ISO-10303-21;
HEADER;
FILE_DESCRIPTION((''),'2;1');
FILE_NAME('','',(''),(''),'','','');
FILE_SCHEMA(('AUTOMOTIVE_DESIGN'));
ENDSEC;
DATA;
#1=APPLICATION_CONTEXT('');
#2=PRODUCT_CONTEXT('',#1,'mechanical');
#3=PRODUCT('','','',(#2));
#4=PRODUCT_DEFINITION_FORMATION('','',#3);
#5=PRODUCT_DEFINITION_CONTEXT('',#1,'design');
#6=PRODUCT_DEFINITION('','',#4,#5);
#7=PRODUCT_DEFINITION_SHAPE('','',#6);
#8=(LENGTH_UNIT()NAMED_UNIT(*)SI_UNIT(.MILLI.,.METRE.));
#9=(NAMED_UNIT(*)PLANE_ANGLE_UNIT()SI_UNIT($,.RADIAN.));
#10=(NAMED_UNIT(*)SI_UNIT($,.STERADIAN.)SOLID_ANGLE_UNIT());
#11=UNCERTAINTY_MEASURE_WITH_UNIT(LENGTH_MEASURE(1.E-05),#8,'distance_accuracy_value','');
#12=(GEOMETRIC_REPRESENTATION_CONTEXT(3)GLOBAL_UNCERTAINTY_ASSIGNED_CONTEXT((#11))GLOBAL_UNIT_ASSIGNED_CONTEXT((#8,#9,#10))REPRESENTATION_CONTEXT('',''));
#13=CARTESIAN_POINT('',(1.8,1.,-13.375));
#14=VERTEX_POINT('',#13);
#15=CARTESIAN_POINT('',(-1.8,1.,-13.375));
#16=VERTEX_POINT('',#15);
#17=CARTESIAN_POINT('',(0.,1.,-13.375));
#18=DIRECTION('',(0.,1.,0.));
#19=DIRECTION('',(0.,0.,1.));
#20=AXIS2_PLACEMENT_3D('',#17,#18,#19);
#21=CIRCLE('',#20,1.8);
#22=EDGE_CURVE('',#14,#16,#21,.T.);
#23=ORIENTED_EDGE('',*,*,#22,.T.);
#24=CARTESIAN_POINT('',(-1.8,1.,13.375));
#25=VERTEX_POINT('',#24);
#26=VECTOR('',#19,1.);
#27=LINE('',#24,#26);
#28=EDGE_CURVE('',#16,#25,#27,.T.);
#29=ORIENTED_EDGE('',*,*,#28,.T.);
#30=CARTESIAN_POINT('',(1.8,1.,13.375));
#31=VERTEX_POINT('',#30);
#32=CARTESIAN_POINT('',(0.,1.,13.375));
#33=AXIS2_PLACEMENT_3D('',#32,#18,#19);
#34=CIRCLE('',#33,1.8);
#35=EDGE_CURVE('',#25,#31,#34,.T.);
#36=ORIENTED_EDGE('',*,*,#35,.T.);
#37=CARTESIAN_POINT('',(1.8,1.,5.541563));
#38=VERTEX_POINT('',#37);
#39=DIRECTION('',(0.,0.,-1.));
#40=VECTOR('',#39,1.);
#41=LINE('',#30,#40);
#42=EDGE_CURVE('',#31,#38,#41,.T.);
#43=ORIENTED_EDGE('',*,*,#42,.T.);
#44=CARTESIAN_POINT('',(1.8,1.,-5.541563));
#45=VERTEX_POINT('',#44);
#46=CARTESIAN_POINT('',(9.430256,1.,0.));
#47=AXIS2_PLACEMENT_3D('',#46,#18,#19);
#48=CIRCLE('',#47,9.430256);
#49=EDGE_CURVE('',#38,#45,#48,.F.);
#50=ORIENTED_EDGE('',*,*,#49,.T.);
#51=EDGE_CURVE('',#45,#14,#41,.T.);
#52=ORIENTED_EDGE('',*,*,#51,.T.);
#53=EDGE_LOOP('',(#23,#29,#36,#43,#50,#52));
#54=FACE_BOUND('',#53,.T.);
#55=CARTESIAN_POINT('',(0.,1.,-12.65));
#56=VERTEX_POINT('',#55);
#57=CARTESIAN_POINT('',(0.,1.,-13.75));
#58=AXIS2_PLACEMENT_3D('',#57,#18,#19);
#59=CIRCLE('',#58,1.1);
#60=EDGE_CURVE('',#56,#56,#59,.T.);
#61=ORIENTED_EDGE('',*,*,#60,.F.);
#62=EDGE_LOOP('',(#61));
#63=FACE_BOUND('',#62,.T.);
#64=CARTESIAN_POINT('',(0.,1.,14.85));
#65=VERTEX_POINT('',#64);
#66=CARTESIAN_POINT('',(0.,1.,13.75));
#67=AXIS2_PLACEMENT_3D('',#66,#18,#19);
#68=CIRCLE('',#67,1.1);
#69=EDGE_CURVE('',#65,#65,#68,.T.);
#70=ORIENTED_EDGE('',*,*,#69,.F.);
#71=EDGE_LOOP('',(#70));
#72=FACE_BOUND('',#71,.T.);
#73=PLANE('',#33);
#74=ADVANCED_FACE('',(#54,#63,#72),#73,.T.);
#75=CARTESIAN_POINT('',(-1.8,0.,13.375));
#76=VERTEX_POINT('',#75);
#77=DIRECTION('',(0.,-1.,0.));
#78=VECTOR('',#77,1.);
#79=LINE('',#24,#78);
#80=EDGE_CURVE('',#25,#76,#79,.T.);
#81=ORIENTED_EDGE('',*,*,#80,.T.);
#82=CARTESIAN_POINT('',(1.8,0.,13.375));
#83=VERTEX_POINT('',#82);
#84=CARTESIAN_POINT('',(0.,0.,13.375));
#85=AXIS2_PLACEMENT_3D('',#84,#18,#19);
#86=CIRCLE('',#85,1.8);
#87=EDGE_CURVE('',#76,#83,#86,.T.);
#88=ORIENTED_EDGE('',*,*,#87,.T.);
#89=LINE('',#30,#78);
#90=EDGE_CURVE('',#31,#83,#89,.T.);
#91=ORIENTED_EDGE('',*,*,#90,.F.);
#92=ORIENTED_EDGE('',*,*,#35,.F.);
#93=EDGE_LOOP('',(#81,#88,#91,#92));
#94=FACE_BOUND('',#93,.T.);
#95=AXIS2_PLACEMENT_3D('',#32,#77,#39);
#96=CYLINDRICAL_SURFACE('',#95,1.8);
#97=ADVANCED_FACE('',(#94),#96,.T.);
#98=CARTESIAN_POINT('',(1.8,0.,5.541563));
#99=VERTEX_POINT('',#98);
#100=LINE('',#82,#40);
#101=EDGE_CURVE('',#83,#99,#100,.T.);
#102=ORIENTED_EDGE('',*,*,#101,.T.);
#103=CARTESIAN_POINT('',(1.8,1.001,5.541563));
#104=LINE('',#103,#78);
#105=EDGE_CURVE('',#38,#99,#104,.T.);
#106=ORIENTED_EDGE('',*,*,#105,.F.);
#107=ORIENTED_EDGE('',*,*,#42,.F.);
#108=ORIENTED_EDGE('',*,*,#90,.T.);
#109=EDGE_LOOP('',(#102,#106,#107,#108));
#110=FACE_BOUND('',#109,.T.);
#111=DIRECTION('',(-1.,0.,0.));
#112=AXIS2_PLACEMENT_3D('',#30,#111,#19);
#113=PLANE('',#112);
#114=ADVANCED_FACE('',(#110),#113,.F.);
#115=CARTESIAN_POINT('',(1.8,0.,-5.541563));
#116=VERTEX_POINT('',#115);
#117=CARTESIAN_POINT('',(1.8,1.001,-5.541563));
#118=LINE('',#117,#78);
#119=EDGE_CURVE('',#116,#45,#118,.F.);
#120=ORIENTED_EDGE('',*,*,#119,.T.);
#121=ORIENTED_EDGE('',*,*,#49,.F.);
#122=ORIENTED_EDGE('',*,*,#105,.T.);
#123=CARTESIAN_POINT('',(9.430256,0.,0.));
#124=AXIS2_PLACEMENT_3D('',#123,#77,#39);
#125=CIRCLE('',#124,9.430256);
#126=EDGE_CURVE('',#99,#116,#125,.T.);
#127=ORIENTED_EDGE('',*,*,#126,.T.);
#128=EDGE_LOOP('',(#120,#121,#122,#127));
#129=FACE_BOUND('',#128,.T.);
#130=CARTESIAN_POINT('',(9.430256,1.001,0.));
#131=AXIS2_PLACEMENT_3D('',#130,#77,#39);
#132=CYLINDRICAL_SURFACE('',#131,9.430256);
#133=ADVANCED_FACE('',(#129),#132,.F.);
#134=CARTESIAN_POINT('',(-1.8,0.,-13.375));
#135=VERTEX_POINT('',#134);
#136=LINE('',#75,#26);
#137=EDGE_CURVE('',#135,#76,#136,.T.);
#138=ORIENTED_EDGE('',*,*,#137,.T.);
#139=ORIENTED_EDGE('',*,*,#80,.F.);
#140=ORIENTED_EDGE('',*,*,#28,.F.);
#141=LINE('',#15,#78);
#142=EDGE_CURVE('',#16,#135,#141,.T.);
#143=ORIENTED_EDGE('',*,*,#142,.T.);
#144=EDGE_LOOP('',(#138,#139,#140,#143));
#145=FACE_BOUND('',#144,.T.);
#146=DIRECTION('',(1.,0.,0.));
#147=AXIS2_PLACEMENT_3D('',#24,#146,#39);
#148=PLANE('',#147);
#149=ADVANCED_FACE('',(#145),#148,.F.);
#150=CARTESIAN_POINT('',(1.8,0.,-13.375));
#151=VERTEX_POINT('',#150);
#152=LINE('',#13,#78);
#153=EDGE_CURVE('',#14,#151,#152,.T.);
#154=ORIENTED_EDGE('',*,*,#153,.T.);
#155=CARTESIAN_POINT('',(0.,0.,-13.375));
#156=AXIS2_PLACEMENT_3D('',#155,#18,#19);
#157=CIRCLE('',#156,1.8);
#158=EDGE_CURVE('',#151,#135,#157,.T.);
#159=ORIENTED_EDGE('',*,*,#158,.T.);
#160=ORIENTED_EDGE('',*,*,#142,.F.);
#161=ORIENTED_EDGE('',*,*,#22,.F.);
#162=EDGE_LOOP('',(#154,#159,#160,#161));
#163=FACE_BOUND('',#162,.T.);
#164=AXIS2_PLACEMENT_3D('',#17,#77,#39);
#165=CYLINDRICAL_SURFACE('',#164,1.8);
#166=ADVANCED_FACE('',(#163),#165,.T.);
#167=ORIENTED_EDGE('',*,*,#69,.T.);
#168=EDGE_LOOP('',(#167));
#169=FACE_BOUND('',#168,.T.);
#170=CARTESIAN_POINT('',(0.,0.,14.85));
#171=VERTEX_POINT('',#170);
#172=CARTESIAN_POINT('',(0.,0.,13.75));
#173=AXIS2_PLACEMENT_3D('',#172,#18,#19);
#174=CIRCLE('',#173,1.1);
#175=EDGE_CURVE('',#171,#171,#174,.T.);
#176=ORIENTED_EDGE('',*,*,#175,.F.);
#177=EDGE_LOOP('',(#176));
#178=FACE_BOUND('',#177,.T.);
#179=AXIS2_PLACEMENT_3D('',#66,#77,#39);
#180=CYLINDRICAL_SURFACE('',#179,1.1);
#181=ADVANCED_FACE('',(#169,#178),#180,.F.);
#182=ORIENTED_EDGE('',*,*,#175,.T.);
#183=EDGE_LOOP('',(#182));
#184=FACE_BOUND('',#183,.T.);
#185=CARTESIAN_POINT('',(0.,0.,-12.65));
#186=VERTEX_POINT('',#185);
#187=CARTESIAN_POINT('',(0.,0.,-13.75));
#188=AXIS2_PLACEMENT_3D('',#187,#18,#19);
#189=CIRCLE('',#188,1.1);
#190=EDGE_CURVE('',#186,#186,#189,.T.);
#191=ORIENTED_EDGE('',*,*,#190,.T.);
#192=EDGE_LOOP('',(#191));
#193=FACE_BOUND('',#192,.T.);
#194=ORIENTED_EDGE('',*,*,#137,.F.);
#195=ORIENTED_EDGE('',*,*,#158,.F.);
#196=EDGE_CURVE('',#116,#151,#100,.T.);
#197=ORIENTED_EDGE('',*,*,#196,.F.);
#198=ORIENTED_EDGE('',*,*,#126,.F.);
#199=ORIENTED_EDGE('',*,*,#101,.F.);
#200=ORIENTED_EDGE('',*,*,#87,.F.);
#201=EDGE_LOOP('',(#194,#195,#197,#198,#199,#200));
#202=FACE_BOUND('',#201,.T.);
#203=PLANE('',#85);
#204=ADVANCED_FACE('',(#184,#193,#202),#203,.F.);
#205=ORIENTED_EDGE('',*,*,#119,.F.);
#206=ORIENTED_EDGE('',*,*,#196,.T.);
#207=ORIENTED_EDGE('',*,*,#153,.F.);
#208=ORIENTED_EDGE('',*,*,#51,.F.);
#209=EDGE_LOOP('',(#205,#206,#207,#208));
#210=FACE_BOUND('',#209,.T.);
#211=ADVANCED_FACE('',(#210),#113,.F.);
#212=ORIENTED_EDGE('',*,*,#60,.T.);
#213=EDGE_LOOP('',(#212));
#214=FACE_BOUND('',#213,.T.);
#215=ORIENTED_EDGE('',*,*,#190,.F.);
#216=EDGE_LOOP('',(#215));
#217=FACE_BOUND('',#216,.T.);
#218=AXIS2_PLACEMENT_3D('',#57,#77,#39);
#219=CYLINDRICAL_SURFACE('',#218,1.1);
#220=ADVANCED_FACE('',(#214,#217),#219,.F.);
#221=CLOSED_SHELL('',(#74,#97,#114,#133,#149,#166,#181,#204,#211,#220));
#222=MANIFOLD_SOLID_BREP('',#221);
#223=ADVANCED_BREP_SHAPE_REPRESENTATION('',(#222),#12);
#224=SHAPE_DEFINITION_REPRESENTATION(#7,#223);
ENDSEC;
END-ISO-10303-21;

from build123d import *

# Parameters (mm, degrees)
SKETCH1_R               = 1.1
BOSS_EXTRUDE1_DEPTH     = 1
SKETCH3_R               = 12.7
CUT_EXTRUDE1_DEPTH      = 2.979898987
CUT_EXTRUDE1_DEPTH_BACK = 2.272792206
CUT_EXTRUDE2_REACH      = 3
SKETCH4_R               = 9.430256121


with BuildPart() as part:
    # Sketch1 → Boss-Extrude1 (new body)
    with BuildSketch(Plane(origin=(0, 0, 0), x_dir=(1, 0, 0), z_dir=(0, 1, 0))):
        with BuildLine():
            Line((-1.8, -13.375), (-1.8, 13.375))
            ThreePointArc((-1.8, 13.375), (0, 15.175), (1.8, 13.375))
            Line((1.8, 13.375), (1.8, -13.375))
            ThreePointArc((1.8, -13.375), (0, -15.175), (-1.8, -13.375))
        make_face()
        with Locations((0, -13.75)):
            Circle(SKETCH1_R, mode=Mode.SUBTRACT)
        with Locations((0, 13.75)):
            Circle(SKETCH1_R, mode=Mode.SUBTRACT)
    extrude(amount=BOSS_EXTRUDE1_DEPTH)

    # Sketch3 → Cut-Extrude1 (cut, two sides)
    with BuildSketch(Plane(origin=(0, 0, 0), x_dir=(0.707106781, -0.707106781, 0), z_dir=(0.707106781, 0.707106781, 0))) as cut_extrude1_sk:
        with Locations((12.7, 0)):
            Circle(SKETCH3_R)
    extrude(amount=CUT_EXTRUDE1_DEPTH, mode=Mode.SUBTRACT)
    extrude(cut_extrude1_sk.sketch, amount=-CUT_EXTRUDE1_DEPTH_BACK, mode=Mode.SUBTRACT)

    # Sketch4 → Cut-Extrude2 (cut, up to next)
    with BuildSketch(Plane.XZ, mode=Mode.PRIVATE) as cut_extrude2_sk1:
        with Locations((9.430256121, 0)):
            Circle(SKETCH4_R)
    cut_extrude2_tool1 = extrude(cut_extrude2_sk1.sketch, amount=-CUT_EXTRUDE2_REACH, mode=Mode.PRIVATE) & part.part
    add(cut_extrude2_tool1.solids().sort_by_distance((9.430256, 0, 0))[0], mode=Mode.SUBTRACT)


solid = part.part
